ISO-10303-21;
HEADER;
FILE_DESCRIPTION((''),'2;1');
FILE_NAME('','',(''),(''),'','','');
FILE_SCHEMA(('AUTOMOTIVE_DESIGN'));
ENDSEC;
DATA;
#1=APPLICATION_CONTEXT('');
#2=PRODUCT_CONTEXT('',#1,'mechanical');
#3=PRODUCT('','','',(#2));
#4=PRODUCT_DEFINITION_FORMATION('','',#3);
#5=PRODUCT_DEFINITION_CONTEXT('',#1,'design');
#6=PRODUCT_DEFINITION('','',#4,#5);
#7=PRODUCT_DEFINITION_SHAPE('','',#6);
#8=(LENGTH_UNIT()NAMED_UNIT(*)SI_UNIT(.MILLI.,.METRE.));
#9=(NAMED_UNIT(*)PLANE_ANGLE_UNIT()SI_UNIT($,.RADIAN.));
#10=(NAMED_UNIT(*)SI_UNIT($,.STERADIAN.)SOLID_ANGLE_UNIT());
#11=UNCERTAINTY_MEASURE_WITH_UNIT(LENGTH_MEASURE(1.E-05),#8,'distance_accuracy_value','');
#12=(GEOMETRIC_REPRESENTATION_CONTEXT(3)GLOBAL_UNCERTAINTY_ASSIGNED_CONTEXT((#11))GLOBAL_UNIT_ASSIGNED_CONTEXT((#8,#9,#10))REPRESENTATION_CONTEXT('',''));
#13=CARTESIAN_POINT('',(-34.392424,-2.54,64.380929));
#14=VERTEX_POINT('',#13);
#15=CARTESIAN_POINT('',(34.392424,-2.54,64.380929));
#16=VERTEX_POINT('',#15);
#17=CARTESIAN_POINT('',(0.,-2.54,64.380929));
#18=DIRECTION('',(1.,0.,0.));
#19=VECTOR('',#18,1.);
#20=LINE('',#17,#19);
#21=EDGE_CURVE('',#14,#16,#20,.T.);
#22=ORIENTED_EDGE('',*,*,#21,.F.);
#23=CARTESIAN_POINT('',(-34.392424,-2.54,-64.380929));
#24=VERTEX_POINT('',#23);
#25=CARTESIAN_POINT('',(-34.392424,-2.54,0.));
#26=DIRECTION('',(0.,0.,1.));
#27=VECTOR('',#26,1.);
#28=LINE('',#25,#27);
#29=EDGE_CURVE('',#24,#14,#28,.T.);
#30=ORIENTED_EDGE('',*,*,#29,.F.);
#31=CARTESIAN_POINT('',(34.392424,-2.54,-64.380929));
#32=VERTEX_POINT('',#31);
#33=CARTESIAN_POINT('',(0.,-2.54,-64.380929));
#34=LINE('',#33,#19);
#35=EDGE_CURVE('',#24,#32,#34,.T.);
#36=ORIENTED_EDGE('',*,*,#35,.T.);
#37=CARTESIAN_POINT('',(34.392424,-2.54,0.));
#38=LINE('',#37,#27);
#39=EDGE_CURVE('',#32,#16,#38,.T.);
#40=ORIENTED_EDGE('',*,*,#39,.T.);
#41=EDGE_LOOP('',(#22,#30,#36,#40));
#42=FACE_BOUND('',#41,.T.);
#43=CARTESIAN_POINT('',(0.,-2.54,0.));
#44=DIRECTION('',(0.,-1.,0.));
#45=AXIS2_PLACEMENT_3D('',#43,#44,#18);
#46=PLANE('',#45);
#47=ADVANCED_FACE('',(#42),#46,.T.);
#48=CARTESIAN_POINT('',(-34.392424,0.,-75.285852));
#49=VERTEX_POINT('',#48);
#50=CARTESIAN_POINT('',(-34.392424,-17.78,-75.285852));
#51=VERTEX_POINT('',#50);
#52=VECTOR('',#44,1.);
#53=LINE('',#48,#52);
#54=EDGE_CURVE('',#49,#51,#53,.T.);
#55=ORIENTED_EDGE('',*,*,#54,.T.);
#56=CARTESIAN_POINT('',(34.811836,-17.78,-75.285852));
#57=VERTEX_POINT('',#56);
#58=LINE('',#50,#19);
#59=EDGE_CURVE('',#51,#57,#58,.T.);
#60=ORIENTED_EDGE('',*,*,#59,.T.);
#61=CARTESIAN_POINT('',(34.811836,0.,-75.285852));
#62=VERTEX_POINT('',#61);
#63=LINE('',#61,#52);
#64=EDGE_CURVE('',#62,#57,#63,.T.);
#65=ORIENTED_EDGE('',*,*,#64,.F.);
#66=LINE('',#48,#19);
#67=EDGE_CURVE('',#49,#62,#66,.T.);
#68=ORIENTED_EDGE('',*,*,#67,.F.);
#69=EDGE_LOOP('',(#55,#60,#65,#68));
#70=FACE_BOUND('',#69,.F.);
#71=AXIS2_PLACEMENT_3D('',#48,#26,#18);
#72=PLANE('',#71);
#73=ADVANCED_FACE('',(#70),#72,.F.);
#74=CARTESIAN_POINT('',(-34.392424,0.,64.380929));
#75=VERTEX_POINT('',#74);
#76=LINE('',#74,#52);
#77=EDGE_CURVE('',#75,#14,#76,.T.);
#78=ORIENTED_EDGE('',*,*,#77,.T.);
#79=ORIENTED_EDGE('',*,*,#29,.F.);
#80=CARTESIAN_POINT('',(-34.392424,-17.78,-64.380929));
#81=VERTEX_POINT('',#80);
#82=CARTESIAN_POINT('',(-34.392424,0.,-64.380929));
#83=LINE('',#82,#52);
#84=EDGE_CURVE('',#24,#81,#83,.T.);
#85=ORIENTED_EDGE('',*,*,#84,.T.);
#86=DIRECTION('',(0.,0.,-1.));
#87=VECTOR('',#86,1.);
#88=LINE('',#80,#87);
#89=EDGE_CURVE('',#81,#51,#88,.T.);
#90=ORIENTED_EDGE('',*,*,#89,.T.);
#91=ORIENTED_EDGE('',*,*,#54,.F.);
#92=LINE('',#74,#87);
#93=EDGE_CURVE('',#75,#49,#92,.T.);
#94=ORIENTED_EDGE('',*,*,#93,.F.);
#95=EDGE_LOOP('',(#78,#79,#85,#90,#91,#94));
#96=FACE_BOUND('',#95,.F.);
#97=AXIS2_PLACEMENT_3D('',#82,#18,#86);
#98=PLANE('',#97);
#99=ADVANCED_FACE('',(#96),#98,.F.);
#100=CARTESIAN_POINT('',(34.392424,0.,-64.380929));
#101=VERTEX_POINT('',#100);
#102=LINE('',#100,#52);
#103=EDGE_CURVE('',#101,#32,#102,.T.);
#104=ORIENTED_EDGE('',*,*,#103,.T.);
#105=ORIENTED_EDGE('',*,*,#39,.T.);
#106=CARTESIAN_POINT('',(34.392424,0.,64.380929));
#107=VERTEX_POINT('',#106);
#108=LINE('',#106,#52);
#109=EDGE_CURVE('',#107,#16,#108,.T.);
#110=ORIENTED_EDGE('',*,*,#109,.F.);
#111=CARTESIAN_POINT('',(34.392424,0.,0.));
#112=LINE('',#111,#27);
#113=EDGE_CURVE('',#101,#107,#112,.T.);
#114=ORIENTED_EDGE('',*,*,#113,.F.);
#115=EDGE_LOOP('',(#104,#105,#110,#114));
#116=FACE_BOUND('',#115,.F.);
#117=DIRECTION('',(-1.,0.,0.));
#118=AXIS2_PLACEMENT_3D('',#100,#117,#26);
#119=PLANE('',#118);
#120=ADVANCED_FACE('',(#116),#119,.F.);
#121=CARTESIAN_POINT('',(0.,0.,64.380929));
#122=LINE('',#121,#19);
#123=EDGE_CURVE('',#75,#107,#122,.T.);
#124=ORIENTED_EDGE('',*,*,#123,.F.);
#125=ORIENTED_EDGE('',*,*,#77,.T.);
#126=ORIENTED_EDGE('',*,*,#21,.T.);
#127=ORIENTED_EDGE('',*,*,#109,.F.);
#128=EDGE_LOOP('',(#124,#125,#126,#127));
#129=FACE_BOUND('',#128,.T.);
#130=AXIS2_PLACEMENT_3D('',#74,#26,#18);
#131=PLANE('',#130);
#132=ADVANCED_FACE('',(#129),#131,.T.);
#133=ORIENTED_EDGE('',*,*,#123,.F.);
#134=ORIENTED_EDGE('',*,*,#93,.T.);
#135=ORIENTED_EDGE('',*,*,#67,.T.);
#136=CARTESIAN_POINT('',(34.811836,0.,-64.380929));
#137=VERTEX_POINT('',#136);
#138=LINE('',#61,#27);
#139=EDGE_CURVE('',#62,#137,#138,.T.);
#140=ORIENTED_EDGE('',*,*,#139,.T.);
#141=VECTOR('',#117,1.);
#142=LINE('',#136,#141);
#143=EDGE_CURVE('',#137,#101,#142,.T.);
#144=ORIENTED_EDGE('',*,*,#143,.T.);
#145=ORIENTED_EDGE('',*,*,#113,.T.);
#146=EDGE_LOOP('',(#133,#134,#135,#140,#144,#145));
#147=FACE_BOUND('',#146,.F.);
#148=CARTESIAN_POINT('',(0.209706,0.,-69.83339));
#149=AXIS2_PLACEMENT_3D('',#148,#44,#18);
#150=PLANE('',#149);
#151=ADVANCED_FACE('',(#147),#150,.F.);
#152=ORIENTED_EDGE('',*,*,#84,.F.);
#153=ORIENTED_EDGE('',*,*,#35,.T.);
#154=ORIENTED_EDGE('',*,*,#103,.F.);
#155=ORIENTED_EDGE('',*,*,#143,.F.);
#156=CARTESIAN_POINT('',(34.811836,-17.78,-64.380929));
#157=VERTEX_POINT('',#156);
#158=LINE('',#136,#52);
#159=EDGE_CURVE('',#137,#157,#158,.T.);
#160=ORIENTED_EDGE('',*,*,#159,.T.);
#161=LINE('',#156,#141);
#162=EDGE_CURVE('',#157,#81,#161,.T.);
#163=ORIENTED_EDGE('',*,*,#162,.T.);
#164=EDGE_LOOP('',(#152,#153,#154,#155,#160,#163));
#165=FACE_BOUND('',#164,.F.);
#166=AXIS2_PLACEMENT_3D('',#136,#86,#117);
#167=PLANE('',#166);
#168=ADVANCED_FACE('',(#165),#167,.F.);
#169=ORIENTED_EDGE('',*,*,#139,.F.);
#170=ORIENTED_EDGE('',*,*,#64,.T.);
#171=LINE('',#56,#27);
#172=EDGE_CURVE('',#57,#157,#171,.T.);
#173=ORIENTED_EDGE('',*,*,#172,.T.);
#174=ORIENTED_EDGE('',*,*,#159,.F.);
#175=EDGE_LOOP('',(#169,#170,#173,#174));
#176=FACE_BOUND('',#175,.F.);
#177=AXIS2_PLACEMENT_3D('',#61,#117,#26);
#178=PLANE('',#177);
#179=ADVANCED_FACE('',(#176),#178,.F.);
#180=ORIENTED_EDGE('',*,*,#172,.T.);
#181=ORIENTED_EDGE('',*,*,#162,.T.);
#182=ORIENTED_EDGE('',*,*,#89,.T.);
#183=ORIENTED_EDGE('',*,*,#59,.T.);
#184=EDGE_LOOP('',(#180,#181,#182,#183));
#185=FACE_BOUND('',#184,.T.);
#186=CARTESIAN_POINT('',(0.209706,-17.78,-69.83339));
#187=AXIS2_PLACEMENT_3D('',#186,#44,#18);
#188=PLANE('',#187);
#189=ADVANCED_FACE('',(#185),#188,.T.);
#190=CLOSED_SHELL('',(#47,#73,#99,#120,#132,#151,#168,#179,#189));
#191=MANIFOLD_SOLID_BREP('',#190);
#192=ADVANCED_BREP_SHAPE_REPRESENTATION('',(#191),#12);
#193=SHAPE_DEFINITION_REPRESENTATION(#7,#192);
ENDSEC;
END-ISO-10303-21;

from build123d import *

# Parameters (mm, degrees)
F0_W     = 68.784848
F0_H     = 128.761858
F1_DEPTH = 2.54
F2_DEPTH = 17.78


with BuildPart() as f1:
    # F0 (on Front) → F1 (new body)
    with BuildSketch(Plane.XZ):
        Rectangle(F0_W, F0_H)
    extrude(amount=F1_DEPTH)

    # F0 (on Front) → F2 (join)
    with BuildSketch(Plane.XZ):
        Polygon((34.392424, -64.380929), (-34.392424, -64.380929), (-34.392424, -75.285852), (34.811836, -75.285852), (34.811836, -64.380929), align=None)
    extrude(amount=F2_DEPTH)


solid = f1.part
